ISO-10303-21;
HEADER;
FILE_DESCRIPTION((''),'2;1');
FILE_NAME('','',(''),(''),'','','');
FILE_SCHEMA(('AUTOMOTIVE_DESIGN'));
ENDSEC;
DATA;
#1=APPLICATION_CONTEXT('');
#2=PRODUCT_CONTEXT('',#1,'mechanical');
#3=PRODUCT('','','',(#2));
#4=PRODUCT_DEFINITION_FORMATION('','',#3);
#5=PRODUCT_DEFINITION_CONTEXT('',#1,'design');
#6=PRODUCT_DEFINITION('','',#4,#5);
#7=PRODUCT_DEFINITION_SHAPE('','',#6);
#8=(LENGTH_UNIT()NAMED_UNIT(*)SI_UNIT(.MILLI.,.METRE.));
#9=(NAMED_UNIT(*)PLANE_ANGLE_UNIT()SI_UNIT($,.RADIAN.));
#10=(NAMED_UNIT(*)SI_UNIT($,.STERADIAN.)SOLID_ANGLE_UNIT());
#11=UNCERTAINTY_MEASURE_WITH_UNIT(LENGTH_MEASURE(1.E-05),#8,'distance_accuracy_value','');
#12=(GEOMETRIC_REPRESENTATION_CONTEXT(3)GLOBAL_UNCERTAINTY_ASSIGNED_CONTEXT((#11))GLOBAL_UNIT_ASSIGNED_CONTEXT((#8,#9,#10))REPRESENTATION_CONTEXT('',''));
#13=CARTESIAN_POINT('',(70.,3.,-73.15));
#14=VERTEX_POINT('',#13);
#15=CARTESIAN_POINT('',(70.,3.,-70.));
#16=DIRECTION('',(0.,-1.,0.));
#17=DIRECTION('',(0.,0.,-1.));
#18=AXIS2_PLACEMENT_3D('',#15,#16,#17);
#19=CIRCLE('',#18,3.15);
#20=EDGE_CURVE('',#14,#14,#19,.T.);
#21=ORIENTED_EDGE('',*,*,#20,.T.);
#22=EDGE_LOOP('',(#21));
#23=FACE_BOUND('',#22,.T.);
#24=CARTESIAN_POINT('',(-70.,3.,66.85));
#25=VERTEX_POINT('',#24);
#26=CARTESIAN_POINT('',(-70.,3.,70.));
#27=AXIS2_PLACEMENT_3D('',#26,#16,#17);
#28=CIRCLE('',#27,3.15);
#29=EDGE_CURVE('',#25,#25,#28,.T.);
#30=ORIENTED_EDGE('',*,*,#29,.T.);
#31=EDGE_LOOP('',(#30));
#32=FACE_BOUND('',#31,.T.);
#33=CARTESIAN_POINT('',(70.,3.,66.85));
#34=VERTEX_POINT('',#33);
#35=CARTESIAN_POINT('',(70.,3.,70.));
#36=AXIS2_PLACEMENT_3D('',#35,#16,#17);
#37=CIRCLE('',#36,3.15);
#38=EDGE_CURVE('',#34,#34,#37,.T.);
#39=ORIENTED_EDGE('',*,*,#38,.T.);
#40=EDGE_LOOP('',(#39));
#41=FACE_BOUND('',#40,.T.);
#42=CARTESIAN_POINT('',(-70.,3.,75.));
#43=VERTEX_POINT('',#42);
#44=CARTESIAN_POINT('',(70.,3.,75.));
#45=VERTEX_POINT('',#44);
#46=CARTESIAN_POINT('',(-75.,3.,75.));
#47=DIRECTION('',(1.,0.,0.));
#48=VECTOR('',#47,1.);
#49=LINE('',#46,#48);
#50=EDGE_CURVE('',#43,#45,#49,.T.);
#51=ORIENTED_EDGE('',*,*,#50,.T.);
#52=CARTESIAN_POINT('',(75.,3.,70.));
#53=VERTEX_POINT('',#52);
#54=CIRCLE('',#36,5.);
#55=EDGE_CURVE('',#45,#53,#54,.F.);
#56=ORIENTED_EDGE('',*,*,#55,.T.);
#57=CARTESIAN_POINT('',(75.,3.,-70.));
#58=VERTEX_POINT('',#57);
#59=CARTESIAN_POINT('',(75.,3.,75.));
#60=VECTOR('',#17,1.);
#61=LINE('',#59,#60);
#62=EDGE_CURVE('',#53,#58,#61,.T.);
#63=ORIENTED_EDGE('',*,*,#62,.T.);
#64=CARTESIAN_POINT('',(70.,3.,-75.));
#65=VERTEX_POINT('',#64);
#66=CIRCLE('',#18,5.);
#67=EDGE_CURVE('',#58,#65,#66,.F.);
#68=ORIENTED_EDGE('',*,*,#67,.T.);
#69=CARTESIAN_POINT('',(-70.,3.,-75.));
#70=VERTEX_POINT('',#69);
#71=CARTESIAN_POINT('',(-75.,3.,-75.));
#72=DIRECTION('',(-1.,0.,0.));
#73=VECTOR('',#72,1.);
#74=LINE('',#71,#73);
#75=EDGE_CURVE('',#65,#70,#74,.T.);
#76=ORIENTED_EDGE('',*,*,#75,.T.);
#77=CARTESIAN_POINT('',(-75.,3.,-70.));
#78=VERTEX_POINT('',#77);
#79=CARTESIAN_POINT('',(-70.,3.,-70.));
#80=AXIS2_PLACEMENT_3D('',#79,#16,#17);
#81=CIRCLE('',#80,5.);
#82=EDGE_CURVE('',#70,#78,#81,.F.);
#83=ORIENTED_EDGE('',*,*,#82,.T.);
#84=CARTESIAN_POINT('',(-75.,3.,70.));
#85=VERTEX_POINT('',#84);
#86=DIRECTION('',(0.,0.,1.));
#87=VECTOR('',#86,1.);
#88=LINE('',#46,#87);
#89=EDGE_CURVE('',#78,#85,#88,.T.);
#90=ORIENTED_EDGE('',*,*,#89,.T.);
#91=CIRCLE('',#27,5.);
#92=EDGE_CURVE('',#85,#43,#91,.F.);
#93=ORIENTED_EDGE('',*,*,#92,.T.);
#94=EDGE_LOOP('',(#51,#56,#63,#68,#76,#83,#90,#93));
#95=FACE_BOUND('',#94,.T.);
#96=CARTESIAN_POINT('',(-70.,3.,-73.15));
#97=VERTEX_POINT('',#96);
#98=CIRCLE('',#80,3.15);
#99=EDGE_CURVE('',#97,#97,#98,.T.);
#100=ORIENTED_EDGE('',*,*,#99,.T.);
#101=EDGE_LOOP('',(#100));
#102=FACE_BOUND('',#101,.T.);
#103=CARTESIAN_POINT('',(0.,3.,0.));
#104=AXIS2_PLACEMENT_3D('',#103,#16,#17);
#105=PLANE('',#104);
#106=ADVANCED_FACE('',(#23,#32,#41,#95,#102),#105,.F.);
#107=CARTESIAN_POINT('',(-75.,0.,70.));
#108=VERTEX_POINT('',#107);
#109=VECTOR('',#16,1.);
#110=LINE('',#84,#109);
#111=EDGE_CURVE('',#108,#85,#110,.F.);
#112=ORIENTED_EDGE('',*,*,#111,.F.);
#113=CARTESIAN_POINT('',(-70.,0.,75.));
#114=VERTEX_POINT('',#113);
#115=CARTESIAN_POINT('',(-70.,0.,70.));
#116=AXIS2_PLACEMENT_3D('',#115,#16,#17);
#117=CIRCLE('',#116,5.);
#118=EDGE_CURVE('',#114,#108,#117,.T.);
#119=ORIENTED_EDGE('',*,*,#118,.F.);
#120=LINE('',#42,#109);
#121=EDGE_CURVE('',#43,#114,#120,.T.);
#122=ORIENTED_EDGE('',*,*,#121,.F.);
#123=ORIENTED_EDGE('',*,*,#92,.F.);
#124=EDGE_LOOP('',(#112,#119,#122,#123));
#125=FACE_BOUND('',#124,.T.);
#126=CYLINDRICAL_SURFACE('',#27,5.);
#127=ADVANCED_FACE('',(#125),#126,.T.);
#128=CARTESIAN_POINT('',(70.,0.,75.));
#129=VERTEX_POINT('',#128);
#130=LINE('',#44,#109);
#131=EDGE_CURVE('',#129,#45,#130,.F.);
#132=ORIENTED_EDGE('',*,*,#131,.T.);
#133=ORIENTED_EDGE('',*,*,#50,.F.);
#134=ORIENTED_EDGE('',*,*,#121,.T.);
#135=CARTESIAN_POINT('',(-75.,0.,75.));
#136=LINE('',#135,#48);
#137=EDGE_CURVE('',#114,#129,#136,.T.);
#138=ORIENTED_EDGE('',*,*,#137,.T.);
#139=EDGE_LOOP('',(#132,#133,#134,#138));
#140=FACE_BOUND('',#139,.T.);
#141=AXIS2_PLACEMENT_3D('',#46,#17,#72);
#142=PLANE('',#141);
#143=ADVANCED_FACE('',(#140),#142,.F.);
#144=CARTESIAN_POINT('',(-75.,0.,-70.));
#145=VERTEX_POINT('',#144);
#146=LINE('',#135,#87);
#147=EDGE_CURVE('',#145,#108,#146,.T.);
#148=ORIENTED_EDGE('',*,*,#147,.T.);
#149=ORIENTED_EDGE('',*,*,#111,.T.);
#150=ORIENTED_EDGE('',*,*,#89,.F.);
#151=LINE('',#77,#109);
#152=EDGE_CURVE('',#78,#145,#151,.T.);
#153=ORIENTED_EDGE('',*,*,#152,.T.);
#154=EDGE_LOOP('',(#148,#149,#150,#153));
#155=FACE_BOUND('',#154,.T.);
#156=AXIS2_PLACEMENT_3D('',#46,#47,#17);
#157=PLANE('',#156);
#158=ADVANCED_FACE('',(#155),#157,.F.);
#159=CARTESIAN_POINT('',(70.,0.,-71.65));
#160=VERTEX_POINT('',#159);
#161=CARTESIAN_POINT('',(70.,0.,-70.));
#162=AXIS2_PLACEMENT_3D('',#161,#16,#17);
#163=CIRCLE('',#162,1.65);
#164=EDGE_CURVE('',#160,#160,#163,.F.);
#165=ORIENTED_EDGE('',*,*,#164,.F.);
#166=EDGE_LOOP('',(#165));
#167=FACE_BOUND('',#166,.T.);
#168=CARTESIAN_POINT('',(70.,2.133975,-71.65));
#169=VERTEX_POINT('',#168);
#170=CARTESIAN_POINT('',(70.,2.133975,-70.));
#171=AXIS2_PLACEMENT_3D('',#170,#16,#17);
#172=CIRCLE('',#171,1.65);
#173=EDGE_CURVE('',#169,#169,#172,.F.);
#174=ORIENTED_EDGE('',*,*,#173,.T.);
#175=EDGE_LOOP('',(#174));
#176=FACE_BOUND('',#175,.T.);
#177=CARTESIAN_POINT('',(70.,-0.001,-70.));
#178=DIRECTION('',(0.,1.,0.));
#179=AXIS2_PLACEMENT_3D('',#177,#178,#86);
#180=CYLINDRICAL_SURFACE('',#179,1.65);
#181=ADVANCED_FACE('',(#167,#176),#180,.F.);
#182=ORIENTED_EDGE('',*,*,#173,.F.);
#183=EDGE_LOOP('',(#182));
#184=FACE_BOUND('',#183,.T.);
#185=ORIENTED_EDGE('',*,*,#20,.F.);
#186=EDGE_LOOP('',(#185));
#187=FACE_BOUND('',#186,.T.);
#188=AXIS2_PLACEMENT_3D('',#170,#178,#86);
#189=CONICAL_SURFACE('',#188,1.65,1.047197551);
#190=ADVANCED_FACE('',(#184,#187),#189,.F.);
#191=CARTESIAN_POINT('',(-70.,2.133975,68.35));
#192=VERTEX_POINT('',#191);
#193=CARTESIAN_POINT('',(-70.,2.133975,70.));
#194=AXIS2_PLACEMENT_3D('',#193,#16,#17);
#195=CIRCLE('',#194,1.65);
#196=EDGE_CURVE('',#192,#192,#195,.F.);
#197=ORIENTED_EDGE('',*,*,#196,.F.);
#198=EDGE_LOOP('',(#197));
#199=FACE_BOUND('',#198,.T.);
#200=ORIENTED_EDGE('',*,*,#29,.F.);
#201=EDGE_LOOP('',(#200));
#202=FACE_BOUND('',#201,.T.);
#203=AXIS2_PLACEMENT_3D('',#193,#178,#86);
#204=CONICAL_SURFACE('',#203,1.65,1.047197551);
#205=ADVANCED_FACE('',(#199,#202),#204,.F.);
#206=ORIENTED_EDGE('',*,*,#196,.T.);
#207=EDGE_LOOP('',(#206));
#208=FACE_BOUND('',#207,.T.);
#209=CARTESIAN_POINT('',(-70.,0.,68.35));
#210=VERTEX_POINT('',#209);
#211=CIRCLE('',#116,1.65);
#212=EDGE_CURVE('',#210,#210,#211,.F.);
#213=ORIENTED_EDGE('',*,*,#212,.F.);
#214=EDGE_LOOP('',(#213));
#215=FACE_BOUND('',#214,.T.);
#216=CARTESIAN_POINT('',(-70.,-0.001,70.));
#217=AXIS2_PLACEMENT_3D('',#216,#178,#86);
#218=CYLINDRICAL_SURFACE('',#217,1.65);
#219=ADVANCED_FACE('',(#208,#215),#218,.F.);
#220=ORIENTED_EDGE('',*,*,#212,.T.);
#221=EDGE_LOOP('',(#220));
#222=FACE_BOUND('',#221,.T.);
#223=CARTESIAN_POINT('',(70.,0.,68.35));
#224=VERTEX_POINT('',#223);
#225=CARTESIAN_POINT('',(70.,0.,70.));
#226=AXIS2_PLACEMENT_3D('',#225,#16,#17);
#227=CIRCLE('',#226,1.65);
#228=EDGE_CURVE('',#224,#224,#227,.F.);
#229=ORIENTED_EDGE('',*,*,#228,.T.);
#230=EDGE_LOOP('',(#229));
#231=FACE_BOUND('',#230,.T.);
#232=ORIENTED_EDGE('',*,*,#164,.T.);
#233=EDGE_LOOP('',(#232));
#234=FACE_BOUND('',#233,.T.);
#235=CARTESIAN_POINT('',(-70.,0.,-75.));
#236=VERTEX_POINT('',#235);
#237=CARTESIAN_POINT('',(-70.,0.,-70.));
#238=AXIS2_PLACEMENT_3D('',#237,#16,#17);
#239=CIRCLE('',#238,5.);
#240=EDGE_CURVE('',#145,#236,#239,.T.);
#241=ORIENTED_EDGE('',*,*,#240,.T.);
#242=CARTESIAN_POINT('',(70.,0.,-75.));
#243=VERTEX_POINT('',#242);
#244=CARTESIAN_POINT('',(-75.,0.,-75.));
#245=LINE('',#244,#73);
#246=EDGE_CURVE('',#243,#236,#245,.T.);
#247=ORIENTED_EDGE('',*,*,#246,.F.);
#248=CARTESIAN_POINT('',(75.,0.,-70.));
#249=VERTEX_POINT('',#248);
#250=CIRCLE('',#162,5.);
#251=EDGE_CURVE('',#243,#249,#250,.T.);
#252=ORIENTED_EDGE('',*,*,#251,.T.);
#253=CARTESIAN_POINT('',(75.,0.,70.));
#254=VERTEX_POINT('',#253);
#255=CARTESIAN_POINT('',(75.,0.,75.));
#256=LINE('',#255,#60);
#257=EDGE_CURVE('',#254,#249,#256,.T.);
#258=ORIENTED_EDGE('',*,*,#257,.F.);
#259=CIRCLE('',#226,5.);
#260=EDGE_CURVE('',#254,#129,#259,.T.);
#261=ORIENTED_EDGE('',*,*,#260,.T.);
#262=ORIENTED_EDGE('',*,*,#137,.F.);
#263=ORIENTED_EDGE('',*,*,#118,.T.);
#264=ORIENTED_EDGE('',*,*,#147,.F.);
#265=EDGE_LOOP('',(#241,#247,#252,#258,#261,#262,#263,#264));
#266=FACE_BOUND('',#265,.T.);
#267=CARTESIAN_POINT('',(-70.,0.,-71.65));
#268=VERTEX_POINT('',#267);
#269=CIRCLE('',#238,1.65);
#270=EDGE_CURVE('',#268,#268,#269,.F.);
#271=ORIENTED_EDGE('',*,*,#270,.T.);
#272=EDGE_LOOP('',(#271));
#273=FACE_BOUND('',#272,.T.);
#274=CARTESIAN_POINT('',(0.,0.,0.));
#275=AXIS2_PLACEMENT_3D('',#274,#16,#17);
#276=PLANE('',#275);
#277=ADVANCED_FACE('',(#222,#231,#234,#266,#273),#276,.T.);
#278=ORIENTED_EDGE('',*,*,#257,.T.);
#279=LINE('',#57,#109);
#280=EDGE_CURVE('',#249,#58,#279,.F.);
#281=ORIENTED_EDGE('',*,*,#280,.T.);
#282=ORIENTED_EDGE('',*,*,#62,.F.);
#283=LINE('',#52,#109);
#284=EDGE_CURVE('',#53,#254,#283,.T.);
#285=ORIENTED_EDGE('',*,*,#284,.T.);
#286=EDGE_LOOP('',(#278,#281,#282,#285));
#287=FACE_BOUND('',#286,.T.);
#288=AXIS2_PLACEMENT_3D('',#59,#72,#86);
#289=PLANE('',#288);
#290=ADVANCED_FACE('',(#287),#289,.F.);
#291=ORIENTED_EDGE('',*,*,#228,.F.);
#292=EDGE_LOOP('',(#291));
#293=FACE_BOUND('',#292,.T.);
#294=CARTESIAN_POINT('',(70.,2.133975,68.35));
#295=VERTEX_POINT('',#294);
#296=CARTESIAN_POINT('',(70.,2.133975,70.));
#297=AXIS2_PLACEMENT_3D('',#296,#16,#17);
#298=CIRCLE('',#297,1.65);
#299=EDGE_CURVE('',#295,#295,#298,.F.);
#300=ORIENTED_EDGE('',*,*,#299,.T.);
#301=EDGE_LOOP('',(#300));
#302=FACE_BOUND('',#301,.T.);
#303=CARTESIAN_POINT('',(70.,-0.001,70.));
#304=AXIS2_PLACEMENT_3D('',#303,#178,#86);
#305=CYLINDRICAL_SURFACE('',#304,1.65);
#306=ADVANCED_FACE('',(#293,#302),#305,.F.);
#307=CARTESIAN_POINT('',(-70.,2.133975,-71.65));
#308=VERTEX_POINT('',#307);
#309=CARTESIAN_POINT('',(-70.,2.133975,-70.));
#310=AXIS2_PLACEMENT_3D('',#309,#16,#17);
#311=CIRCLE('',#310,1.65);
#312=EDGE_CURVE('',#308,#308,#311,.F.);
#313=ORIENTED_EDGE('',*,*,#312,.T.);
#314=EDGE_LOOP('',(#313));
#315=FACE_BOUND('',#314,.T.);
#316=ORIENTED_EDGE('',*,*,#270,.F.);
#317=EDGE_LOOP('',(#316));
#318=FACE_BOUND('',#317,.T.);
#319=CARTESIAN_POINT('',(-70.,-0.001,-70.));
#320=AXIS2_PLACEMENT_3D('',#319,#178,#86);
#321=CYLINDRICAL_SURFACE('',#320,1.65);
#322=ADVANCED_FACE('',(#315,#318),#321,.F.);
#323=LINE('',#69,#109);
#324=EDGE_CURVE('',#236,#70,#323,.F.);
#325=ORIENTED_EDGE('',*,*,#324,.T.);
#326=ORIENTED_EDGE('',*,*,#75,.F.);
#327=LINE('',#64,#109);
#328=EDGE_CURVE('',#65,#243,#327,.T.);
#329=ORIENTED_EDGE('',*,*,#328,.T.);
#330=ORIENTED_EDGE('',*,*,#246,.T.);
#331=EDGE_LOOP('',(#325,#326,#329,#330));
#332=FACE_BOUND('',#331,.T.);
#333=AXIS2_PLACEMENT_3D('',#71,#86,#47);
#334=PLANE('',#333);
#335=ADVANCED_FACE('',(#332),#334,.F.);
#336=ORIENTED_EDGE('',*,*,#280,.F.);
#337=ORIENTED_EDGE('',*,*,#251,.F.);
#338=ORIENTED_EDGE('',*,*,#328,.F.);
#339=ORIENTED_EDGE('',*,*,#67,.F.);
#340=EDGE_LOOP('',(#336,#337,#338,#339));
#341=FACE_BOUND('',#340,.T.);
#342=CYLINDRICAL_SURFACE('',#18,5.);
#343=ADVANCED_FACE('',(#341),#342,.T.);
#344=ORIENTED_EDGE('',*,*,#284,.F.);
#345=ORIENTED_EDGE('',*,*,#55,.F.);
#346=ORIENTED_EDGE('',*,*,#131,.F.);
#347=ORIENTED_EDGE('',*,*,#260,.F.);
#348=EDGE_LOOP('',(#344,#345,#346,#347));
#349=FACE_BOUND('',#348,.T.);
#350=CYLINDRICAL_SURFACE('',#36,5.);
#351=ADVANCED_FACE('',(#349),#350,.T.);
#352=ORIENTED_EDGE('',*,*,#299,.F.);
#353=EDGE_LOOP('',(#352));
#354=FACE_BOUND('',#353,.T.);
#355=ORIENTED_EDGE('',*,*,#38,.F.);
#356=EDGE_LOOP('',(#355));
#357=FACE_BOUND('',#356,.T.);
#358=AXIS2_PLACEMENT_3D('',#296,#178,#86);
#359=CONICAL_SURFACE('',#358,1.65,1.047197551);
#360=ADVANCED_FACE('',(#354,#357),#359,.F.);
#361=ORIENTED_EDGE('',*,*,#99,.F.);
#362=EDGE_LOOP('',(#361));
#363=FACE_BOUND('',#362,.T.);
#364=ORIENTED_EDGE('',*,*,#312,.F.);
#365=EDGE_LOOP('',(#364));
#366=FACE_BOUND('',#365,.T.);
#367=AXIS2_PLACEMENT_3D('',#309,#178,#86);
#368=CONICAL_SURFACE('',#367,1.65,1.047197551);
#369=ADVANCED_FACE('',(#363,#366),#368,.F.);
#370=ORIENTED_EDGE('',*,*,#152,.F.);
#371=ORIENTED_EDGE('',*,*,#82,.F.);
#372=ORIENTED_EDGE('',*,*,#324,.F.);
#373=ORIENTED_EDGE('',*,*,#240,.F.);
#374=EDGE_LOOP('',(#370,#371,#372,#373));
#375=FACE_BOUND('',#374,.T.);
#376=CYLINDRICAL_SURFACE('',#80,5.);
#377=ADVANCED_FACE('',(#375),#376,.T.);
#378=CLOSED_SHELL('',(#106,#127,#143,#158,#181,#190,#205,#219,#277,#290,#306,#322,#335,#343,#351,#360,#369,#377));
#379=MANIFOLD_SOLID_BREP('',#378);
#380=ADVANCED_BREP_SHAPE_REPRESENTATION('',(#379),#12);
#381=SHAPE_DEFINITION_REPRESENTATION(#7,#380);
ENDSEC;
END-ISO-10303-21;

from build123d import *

# Parameters (mm, degrees)
SKETCH1_W           = 150
SKETCH1_H           = 150
BOSS_EXTRUDE1_DEPTH = 3
CUT_EXTRUDE1_REACH  = 5
SKETCH2_R           = 1.65
CHAMFER1_SIZE       = 1.5
CHAMFER1_SIZE2      = 0.866025404
FILLET1_R           = 5


with BuildPart() as part:
    # Sketch1 → Boss-Extrude1 (new body)
    with BuildSketch(Plane(origin=(0, 0, 0), x_dir=(1, 0, 0), z_dir=(0, 1, 0))):
        Rectangle(SKETCH1_W, SKETCH1_H)
    extrude(amount=BOSS_EXTRUDE1_DEPTH)

    # Sketch2 → Cut-Extrude1 (cut, up to next)
    with BuildSketch(Plane(origin=(0, 3, 0), x_dir=(1, 0, 0), z_dir=(0, 1, 0)), mode=Mode.PRIVATE) as cut_extrude1_sk1:
        with Locations((-70, 70)):
            Circle(SKETCH2_R)
    cut_extrude1_tool1 = extrude(cut_extrude1_sk1.sketch, amount=-CUT_EXTRUDE1_REACH, mode=Mode.PRIVATE) & part.part
    add(cut_extrude1_tool1.solids().sort_by_distance((-70, 3, -70))[0], mode=Mode.SUBTRACT)
    # Sketch2 → Cut-Extrude1 (cut, up to next)
    with BuildSketch(Plane(origin=(0, 3, 0), x_dir=(1, 0, 0), z_dir=(0, 1, 0)), mode=Mode.PRIVATE) as cut_extrude1_sk2:
        with Locations((70, 70)):
            Circle(SKETCH2_R)
    cut_extrude1_tool2 = extrude(cut_extrude1_sk2.sketch, amount=-CUT_EXTRUDE1_REACH, mode=Mode.PRIVATE) & part.part
    add(cut_extrude1_tool2.solids().sort_by_distance((70, 3, -70))[0], mode=Mode.SUBTRACT)
    # Sketch2 → Cut-Extrude1 (cut, up to next)
    with BuildSketch(Plane(origin=(0, 3, 0), x_dir=(1, 0, 0), z_dir=(0, 1, 0)), mode=Mode.PRIVATE) as cut_extrude1_sk3:
        with Locations((70, -70)):
            Circle(SKETCH2_R)
    cut_extrude1_tool3 = extrude(cut_extrude1_sk3.sketch, amount=-CUT_EXTRUDE1_REACH, mode=Mode.PRIVATE) & part.part
    add(cut_extrude1_tool3.solids().sort_by_distance((70, 3, 70))[0], mode=Mode.SUBTRACT)
    # Sketch2 → Cut-Extrude1 (cut, up to next)
    with BuildSketch(Plane(origin=(0, 3, 0), x_dir=(1, 0, 0), z_dir=(0, 1, 0)), mode=Mode.PRIVATE) as cut_extrude1_sk4:
        with Locations((-70, -70)):
            Circle(SKETCH2_R)
    cut_extrude1_tool4 = extrude(cut_extrude1_sk4.sketch, amount=-CUT_EXTRUDE1_REACH, mode=Mode.PRIVATE) & part.part
    add(cut_extrude1_tool4.solids().sort_by_distance((-70, 3, 70))[0], mode=Mode.SUBTRACT)

    # Chamfer1
    chamfer1_edges = [part.edges().sort_by_distance(p)[0] for p in [
        (-71.65, 3, 70),
        (68.35, 3, 70),
        (68.35, 3, -70),
        (-71.65, 3, -70),
    ]]
    chamfer1_side = [part.faces().sort_by_distance(p)[0] for p in [
        (0, 3, 0),
    ]]
    chamfer(chamfer1_edges, length=CHAMFER1_SIZE, length2=CHAMFER1_SIZE2, reference=chamfer1_side[0])

    # Fillet1
    fillet1_edges = [part.edges().sort_by_distance(p)[0] for p in [
        (75, 1.5, 75),
        (-75, 1.5, 75),
        (-75, 1.5, -75),
        (75, 1.5, -75),
    ]]
    fillet(fillet1_edges, radius=FILLET1_R)


solid = part.part
